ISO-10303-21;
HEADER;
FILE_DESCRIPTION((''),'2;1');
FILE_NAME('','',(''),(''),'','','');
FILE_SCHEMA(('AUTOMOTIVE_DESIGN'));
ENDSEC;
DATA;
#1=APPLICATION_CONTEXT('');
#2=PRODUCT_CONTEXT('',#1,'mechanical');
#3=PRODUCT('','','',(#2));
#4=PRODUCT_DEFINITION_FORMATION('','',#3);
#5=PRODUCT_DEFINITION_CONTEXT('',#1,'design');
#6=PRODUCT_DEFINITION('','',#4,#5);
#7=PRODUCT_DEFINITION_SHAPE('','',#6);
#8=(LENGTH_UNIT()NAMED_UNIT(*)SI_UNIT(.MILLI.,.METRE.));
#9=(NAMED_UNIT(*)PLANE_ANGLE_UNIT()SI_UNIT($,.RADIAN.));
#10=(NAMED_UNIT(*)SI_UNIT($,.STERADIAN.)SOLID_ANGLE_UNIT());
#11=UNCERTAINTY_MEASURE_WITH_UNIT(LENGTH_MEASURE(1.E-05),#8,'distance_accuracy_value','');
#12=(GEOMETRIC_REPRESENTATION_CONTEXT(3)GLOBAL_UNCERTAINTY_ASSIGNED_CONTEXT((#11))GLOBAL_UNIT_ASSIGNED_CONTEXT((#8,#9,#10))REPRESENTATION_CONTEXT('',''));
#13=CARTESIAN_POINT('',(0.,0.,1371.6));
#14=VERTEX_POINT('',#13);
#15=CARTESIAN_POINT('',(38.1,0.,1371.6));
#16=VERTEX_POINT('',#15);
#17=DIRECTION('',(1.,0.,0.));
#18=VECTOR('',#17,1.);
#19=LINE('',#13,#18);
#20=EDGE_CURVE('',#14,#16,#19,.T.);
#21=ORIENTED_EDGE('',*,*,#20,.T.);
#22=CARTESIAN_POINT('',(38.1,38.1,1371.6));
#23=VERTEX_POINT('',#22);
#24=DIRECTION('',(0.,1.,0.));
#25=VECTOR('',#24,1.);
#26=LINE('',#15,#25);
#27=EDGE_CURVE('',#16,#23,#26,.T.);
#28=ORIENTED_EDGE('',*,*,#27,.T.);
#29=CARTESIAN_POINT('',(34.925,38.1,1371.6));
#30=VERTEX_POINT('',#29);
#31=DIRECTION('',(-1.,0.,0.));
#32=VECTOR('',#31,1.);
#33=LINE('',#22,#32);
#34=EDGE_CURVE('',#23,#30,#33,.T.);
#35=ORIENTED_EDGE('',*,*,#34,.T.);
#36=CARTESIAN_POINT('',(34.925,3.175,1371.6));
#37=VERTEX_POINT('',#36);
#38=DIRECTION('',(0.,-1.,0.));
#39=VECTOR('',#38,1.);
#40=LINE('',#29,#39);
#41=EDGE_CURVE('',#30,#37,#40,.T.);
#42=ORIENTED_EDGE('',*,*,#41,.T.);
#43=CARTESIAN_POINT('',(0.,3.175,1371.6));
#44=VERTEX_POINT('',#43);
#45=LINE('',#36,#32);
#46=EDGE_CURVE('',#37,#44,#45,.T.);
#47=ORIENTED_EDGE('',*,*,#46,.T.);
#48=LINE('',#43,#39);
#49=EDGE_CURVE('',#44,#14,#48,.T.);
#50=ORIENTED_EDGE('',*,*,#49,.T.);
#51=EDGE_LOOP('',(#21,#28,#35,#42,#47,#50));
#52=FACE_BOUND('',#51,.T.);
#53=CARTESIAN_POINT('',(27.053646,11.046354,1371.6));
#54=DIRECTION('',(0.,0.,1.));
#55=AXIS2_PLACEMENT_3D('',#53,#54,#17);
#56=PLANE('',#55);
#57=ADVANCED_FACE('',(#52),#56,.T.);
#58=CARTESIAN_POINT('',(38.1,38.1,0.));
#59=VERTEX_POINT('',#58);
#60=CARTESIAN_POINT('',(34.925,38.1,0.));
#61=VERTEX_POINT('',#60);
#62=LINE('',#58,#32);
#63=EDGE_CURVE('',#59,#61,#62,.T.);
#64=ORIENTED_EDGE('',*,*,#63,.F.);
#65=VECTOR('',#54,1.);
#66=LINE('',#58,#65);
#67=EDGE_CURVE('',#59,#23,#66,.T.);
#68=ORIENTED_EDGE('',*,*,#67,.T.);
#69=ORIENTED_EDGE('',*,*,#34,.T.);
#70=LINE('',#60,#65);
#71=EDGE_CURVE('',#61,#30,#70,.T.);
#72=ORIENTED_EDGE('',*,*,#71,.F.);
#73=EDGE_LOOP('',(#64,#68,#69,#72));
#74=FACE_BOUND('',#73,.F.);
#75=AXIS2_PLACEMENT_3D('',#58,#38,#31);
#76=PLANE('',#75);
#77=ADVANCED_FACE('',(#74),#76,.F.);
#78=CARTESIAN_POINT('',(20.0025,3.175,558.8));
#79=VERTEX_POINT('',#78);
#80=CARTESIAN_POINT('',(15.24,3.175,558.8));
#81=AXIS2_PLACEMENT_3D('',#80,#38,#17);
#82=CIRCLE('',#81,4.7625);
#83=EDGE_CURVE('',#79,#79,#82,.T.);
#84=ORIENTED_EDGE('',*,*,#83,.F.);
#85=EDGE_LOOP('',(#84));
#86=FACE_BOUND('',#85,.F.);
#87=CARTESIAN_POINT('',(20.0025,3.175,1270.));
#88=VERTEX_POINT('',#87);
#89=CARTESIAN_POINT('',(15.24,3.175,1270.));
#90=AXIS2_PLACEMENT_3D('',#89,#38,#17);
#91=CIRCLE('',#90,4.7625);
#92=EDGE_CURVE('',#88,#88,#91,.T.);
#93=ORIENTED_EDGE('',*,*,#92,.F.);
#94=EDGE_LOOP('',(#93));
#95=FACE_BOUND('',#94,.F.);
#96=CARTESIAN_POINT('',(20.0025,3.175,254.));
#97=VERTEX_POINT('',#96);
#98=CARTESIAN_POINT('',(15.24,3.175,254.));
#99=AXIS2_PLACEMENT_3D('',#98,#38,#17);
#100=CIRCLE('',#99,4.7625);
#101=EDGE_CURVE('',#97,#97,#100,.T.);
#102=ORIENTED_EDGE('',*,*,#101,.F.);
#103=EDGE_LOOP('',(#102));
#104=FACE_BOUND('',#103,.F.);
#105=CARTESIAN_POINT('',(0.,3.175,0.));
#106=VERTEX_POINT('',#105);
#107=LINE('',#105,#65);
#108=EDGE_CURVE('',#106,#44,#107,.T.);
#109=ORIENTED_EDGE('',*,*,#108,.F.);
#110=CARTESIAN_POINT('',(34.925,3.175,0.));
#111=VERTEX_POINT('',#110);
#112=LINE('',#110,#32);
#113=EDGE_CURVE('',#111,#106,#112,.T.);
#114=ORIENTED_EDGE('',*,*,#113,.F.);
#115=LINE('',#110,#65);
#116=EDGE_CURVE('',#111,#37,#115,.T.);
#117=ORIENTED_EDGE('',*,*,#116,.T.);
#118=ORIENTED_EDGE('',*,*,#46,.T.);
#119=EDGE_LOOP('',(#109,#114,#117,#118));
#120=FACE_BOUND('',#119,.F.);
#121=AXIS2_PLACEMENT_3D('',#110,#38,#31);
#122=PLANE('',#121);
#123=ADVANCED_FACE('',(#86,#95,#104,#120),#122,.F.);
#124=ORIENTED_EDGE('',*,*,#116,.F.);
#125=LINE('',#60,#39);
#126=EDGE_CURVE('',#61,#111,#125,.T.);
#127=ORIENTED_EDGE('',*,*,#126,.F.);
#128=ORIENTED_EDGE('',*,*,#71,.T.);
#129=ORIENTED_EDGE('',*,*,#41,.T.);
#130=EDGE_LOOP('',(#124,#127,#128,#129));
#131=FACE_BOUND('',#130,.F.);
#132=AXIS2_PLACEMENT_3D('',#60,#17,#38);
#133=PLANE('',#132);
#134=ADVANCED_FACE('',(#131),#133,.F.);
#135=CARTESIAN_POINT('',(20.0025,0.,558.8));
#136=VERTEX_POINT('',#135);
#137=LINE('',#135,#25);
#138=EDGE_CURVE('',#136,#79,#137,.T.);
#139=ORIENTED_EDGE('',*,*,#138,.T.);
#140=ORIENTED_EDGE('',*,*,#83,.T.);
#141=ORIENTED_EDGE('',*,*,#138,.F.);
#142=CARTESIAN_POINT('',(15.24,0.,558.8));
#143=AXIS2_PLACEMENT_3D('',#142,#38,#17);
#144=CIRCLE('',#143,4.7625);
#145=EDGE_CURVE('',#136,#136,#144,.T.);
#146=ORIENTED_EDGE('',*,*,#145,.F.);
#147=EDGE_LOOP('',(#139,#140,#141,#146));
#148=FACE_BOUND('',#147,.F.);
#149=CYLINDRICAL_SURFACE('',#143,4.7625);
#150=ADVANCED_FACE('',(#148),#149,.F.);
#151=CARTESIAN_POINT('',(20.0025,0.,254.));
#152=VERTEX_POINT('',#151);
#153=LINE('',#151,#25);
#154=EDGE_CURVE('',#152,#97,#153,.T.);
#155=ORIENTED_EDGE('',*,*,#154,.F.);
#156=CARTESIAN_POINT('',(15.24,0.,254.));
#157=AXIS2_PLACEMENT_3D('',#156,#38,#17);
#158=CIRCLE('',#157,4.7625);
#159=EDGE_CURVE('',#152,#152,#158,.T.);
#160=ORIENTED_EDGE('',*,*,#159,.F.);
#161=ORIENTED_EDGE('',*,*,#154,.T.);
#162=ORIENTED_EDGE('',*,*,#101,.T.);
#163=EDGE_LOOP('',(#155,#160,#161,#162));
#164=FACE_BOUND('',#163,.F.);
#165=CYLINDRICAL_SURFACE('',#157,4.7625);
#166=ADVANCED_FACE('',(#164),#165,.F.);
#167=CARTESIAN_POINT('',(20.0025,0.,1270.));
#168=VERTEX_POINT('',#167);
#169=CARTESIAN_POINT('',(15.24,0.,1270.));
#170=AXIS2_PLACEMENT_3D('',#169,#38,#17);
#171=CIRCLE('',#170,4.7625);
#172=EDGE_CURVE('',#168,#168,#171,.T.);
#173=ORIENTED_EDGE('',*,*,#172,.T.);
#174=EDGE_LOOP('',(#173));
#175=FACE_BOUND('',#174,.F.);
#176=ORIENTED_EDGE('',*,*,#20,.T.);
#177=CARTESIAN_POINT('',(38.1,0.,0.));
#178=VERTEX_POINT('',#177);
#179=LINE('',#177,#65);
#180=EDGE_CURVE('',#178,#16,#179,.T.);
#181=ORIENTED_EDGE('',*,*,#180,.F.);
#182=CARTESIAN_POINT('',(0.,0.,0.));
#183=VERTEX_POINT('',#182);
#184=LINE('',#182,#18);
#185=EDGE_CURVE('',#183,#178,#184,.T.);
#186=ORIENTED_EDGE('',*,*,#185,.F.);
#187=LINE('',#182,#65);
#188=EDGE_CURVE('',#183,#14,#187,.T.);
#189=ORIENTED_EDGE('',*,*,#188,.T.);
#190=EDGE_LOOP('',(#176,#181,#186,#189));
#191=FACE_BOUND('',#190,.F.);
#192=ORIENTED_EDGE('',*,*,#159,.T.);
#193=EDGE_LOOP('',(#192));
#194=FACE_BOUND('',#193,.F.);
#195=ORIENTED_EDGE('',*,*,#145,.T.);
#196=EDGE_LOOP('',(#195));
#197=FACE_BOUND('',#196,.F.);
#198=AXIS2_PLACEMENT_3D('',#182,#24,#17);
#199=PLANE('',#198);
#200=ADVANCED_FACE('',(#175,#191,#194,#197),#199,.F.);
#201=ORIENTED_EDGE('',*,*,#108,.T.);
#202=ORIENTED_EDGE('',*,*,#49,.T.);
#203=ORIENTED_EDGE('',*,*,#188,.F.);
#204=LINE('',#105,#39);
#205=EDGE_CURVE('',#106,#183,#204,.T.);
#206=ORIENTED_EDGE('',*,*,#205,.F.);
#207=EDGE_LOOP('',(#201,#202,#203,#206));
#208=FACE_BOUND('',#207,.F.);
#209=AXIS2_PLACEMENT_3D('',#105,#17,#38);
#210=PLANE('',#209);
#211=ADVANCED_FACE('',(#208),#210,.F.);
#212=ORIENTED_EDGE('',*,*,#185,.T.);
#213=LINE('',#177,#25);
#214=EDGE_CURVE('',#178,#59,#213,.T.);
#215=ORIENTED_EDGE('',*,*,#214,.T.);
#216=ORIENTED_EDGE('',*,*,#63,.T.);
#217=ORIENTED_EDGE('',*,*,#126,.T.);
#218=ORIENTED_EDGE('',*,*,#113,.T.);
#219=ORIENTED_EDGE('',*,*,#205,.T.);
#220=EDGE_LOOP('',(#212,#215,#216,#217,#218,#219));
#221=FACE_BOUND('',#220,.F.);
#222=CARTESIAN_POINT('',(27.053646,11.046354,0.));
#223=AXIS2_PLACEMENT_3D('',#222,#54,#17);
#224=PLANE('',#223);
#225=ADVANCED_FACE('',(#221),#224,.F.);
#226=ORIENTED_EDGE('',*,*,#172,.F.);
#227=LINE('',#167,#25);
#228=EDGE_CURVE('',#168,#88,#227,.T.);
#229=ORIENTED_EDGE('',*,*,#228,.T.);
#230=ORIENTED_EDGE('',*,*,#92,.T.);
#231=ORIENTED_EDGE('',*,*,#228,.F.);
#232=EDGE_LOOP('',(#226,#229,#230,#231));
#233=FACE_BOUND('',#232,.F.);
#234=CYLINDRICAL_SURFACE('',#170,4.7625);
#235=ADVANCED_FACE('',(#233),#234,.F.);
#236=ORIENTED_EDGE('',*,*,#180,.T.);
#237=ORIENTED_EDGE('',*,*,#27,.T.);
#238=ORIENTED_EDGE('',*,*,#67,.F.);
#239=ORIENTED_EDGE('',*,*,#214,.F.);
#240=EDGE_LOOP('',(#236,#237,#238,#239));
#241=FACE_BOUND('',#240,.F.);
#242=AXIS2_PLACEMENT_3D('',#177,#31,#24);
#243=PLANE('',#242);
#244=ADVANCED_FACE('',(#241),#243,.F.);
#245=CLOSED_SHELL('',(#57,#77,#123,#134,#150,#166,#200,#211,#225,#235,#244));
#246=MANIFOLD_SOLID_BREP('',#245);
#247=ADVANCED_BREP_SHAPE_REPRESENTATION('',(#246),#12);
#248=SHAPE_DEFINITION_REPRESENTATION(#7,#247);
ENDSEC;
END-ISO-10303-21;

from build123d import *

# Parameters (mm, degrees)
F1_DEPTH = 1371.6
F2_R     = 4.7625
F3_DEPTH = 38.101


with BuildPart() as f1:
    # F0 (on Top) → F1 (new body)
    with BuildSketch(Plane.XY):
        Polygon((0, 3.175), (0, 0), (38.1, 0), (38.1, 38.1), (34.925, 38.1), (34.925, 3.175), align=None)
    extrude(amount=F1_DEPTH)

    # F2 (on face) → F3 (cut, through all)
    with BuildSketch(Plane.XZ):
        with Locations((15.24, 254)):
            Circle(F2_R)
        with Locations((15.24, 558.8)):
            Circle(F2_R)
        with Locations((15.24, 1270)):
            Circle(F2_R)
    extrude(amount=-F3_DEPTH, mode=Mode.SUBTRACT)


solid = f1.part
